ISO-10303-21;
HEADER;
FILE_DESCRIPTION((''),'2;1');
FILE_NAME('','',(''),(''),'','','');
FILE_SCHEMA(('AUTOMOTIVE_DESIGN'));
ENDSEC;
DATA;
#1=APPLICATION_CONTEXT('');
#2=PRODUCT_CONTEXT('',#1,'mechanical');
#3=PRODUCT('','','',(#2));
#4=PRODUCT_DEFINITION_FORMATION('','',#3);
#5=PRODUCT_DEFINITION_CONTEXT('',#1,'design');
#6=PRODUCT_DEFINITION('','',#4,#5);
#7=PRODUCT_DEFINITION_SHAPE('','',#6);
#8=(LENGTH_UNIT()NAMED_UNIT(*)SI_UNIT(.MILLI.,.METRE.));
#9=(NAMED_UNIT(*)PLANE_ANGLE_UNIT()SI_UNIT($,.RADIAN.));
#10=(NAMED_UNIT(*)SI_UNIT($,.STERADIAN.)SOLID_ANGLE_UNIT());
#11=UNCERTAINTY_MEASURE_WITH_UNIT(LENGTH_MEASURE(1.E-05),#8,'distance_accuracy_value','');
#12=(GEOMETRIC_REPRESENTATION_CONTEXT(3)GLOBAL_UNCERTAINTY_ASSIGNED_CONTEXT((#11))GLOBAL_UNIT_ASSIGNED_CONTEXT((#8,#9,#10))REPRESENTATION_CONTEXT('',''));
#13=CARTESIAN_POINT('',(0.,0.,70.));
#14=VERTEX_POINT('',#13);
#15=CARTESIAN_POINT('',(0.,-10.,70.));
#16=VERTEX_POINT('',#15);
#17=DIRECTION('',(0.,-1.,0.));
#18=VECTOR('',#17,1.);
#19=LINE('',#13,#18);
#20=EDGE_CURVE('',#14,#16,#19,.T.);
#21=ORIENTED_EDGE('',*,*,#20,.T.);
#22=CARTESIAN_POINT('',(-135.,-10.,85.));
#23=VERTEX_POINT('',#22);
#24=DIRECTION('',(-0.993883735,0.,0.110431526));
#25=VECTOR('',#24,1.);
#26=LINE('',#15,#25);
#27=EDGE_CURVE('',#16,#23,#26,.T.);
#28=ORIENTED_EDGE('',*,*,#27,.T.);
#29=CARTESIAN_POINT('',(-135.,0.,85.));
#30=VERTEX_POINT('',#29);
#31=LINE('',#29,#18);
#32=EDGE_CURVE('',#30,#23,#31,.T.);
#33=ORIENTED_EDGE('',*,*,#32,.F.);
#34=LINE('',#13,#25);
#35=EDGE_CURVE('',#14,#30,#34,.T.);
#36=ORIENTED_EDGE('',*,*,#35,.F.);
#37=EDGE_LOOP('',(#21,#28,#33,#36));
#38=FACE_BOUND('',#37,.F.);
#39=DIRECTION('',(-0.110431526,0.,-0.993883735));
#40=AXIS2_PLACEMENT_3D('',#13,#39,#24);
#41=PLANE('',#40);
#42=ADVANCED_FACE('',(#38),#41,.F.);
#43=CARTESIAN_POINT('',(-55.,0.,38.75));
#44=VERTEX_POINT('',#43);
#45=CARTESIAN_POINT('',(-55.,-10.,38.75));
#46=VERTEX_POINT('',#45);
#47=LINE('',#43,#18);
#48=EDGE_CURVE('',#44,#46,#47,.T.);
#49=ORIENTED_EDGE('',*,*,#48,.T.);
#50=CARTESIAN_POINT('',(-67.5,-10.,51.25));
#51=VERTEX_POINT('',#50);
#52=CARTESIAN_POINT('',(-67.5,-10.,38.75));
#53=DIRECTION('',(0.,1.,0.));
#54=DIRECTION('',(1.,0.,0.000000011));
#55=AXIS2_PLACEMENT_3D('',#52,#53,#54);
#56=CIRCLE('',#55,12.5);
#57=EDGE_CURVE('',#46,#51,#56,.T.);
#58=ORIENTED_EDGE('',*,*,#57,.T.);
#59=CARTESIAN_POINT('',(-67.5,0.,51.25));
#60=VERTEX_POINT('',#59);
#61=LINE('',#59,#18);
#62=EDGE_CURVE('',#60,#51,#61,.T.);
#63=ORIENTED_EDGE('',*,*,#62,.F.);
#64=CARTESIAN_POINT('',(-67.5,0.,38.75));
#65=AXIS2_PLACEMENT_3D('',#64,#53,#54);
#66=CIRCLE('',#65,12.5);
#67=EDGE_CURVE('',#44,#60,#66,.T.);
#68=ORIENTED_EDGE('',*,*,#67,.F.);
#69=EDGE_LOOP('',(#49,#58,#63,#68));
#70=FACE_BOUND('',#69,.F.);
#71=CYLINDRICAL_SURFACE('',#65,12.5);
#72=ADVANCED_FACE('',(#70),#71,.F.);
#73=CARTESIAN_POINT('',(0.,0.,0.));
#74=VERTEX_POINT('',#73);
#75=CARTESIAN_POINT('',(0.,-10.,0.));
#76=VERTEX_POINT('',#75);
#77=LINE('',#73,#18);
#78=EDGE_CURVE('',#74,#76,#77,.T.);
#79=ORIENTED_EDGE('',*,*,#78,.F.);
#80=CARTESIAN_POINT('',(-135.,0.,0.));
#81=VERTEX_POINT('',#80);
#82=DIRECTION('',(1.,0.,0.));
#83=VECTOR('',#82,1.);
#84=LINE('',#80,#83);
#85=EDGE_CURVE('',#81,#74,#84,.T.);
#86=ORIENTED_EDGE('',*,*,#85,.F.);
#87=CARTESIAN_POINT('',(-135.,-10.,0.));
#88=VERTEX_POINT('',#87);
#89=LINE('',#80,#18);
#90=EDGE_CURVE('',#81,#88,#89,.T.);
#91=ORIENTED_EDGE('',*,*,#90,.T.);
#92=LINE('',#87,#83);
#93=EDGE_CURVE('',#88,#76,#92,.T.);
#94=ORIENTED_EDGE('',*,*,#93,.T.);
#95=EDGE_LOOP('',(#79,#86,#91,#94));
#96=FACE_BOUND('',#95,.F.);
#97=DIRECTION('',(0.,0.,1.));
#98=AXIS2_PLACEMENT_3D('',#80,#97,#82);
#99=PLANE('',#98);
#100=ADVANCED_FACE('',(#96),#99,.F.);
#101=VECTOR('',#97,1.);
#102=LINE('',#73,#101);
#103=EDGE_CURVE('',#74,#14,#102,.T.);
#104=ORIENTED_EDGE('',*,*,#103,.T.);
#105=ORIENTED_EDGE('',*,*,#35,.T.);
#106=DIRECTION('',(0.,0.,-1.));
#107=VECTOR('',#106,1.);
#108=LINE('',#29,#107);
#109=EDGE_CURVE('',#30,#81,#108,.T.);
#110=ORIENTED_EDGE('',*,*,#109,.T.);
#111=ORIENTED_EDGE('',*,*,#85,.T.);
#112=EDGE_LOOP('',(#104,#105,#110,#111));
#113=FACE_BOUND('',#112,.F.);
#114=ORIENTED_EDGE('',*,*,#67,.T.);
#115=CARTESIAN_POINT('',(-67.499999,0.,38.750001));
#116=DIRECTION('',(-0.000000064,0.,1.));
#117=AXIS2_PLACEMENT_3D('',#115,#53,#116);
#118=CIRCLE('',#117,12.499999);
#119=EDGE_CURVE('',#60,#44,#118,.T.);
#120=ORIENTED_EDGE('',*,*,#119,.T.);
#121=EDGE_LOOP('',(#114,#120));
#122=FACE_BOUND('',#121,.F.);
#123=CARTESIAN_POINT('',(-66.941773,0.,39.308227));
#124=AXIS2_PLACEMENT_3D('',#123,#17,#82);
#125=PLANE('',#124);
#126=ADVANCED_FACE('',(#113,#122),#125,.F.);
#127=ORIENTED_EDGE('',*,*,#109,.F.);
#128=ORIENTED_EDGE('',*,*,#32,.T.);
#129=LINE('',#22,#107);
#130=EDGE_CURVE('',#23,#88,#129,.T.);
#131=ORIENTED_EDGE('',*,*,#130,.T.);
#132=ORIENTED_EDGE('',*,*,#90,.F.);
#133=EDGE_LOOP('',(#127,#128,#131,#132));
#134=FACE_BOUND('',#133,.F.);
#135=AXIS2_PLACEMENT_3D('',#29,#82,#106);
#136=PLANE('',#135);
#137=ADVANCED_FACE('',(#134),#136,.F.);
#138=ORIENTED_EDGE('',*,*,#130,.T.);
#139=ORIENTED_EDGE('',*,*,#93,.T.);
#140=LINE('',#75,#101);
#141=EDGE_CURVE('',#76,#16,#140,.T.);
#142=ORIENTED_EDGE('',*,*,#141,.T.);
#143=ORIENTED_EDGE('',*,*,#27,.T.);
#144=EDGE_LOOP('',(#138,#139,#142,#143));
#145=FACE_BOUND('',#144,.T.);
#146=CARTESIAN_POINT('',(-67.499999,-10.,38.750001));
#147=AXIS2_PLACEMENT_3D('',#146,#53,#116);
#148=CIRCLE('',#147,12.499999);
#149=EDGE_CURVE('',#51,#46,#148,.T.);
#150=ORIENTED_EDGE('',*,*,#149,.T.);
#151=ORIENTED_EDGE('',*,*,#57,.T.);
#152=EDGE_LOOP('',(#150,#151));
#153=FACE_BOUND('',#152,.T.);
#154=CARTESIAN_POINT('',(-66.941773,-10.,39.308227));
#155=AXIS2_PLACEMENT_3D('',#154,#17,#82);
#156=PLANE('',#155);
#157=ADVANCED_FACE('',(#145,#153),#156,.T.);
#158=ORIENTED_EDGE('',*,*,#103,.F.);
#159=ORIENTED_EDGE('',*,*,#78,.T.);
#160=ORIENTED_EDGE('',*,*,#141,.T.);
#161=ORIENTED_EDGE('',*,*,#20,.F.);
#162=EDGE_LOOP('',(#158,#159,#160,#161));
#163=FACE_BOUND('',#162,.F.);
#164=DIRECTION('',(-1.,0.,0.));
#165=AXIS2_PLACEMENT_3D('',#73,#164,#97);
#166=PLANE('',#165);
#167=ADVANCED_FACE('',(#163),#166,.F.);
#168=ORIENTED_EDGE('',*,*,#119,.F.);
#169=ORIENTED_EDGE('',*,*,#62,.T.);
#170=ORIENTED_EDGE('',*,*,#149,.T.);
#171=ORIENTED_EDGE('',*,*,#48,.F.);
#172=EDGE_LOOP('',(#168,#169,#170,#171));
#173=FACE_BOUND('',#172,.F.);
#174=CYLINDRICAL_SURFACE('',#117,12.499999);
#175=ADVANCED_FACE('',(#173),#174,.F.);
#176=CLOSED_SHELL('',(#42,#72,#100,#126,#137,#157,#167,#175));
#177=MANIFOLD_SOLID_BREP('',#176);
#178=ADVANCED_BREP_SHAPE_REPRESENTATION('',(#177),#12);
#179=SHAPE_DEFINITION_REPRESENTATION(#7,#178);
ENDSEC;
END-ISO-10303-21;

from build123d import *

# Parameters (mm, degrees)
F1_DEPTH = 10


with BuildPart() as f1:
    # F0 (on Front) → F1 (new body)
    with BuildSketch(Plane.XZ):
        with BuildLine():
            ThreePointArc((-55, 38.75), (-58.661165, 47.588835), (-67.5, 51.25))
            ThreePointArc((-67.5, 51.25), (-76.338835, 29.911165), (-55, 38.75))
        make_face()
        Polygon((-135, 0), (0, 0), (0, 70), (-67.5, 77.5), (-135, 85), align=None)
        with BuildLine():
            ThreePointArc((-55, 38.75), (-76.338835, 29.911165), (-67.5, 51.25))
            ThreePointArc((-67.5, 51.25), (-58.661165, 47.588835), (-55, 38.75))
        make_face(mode=Mode.SUBTRACT)
    extrude(amount=F1_DEPTH)


solid = f1.part
